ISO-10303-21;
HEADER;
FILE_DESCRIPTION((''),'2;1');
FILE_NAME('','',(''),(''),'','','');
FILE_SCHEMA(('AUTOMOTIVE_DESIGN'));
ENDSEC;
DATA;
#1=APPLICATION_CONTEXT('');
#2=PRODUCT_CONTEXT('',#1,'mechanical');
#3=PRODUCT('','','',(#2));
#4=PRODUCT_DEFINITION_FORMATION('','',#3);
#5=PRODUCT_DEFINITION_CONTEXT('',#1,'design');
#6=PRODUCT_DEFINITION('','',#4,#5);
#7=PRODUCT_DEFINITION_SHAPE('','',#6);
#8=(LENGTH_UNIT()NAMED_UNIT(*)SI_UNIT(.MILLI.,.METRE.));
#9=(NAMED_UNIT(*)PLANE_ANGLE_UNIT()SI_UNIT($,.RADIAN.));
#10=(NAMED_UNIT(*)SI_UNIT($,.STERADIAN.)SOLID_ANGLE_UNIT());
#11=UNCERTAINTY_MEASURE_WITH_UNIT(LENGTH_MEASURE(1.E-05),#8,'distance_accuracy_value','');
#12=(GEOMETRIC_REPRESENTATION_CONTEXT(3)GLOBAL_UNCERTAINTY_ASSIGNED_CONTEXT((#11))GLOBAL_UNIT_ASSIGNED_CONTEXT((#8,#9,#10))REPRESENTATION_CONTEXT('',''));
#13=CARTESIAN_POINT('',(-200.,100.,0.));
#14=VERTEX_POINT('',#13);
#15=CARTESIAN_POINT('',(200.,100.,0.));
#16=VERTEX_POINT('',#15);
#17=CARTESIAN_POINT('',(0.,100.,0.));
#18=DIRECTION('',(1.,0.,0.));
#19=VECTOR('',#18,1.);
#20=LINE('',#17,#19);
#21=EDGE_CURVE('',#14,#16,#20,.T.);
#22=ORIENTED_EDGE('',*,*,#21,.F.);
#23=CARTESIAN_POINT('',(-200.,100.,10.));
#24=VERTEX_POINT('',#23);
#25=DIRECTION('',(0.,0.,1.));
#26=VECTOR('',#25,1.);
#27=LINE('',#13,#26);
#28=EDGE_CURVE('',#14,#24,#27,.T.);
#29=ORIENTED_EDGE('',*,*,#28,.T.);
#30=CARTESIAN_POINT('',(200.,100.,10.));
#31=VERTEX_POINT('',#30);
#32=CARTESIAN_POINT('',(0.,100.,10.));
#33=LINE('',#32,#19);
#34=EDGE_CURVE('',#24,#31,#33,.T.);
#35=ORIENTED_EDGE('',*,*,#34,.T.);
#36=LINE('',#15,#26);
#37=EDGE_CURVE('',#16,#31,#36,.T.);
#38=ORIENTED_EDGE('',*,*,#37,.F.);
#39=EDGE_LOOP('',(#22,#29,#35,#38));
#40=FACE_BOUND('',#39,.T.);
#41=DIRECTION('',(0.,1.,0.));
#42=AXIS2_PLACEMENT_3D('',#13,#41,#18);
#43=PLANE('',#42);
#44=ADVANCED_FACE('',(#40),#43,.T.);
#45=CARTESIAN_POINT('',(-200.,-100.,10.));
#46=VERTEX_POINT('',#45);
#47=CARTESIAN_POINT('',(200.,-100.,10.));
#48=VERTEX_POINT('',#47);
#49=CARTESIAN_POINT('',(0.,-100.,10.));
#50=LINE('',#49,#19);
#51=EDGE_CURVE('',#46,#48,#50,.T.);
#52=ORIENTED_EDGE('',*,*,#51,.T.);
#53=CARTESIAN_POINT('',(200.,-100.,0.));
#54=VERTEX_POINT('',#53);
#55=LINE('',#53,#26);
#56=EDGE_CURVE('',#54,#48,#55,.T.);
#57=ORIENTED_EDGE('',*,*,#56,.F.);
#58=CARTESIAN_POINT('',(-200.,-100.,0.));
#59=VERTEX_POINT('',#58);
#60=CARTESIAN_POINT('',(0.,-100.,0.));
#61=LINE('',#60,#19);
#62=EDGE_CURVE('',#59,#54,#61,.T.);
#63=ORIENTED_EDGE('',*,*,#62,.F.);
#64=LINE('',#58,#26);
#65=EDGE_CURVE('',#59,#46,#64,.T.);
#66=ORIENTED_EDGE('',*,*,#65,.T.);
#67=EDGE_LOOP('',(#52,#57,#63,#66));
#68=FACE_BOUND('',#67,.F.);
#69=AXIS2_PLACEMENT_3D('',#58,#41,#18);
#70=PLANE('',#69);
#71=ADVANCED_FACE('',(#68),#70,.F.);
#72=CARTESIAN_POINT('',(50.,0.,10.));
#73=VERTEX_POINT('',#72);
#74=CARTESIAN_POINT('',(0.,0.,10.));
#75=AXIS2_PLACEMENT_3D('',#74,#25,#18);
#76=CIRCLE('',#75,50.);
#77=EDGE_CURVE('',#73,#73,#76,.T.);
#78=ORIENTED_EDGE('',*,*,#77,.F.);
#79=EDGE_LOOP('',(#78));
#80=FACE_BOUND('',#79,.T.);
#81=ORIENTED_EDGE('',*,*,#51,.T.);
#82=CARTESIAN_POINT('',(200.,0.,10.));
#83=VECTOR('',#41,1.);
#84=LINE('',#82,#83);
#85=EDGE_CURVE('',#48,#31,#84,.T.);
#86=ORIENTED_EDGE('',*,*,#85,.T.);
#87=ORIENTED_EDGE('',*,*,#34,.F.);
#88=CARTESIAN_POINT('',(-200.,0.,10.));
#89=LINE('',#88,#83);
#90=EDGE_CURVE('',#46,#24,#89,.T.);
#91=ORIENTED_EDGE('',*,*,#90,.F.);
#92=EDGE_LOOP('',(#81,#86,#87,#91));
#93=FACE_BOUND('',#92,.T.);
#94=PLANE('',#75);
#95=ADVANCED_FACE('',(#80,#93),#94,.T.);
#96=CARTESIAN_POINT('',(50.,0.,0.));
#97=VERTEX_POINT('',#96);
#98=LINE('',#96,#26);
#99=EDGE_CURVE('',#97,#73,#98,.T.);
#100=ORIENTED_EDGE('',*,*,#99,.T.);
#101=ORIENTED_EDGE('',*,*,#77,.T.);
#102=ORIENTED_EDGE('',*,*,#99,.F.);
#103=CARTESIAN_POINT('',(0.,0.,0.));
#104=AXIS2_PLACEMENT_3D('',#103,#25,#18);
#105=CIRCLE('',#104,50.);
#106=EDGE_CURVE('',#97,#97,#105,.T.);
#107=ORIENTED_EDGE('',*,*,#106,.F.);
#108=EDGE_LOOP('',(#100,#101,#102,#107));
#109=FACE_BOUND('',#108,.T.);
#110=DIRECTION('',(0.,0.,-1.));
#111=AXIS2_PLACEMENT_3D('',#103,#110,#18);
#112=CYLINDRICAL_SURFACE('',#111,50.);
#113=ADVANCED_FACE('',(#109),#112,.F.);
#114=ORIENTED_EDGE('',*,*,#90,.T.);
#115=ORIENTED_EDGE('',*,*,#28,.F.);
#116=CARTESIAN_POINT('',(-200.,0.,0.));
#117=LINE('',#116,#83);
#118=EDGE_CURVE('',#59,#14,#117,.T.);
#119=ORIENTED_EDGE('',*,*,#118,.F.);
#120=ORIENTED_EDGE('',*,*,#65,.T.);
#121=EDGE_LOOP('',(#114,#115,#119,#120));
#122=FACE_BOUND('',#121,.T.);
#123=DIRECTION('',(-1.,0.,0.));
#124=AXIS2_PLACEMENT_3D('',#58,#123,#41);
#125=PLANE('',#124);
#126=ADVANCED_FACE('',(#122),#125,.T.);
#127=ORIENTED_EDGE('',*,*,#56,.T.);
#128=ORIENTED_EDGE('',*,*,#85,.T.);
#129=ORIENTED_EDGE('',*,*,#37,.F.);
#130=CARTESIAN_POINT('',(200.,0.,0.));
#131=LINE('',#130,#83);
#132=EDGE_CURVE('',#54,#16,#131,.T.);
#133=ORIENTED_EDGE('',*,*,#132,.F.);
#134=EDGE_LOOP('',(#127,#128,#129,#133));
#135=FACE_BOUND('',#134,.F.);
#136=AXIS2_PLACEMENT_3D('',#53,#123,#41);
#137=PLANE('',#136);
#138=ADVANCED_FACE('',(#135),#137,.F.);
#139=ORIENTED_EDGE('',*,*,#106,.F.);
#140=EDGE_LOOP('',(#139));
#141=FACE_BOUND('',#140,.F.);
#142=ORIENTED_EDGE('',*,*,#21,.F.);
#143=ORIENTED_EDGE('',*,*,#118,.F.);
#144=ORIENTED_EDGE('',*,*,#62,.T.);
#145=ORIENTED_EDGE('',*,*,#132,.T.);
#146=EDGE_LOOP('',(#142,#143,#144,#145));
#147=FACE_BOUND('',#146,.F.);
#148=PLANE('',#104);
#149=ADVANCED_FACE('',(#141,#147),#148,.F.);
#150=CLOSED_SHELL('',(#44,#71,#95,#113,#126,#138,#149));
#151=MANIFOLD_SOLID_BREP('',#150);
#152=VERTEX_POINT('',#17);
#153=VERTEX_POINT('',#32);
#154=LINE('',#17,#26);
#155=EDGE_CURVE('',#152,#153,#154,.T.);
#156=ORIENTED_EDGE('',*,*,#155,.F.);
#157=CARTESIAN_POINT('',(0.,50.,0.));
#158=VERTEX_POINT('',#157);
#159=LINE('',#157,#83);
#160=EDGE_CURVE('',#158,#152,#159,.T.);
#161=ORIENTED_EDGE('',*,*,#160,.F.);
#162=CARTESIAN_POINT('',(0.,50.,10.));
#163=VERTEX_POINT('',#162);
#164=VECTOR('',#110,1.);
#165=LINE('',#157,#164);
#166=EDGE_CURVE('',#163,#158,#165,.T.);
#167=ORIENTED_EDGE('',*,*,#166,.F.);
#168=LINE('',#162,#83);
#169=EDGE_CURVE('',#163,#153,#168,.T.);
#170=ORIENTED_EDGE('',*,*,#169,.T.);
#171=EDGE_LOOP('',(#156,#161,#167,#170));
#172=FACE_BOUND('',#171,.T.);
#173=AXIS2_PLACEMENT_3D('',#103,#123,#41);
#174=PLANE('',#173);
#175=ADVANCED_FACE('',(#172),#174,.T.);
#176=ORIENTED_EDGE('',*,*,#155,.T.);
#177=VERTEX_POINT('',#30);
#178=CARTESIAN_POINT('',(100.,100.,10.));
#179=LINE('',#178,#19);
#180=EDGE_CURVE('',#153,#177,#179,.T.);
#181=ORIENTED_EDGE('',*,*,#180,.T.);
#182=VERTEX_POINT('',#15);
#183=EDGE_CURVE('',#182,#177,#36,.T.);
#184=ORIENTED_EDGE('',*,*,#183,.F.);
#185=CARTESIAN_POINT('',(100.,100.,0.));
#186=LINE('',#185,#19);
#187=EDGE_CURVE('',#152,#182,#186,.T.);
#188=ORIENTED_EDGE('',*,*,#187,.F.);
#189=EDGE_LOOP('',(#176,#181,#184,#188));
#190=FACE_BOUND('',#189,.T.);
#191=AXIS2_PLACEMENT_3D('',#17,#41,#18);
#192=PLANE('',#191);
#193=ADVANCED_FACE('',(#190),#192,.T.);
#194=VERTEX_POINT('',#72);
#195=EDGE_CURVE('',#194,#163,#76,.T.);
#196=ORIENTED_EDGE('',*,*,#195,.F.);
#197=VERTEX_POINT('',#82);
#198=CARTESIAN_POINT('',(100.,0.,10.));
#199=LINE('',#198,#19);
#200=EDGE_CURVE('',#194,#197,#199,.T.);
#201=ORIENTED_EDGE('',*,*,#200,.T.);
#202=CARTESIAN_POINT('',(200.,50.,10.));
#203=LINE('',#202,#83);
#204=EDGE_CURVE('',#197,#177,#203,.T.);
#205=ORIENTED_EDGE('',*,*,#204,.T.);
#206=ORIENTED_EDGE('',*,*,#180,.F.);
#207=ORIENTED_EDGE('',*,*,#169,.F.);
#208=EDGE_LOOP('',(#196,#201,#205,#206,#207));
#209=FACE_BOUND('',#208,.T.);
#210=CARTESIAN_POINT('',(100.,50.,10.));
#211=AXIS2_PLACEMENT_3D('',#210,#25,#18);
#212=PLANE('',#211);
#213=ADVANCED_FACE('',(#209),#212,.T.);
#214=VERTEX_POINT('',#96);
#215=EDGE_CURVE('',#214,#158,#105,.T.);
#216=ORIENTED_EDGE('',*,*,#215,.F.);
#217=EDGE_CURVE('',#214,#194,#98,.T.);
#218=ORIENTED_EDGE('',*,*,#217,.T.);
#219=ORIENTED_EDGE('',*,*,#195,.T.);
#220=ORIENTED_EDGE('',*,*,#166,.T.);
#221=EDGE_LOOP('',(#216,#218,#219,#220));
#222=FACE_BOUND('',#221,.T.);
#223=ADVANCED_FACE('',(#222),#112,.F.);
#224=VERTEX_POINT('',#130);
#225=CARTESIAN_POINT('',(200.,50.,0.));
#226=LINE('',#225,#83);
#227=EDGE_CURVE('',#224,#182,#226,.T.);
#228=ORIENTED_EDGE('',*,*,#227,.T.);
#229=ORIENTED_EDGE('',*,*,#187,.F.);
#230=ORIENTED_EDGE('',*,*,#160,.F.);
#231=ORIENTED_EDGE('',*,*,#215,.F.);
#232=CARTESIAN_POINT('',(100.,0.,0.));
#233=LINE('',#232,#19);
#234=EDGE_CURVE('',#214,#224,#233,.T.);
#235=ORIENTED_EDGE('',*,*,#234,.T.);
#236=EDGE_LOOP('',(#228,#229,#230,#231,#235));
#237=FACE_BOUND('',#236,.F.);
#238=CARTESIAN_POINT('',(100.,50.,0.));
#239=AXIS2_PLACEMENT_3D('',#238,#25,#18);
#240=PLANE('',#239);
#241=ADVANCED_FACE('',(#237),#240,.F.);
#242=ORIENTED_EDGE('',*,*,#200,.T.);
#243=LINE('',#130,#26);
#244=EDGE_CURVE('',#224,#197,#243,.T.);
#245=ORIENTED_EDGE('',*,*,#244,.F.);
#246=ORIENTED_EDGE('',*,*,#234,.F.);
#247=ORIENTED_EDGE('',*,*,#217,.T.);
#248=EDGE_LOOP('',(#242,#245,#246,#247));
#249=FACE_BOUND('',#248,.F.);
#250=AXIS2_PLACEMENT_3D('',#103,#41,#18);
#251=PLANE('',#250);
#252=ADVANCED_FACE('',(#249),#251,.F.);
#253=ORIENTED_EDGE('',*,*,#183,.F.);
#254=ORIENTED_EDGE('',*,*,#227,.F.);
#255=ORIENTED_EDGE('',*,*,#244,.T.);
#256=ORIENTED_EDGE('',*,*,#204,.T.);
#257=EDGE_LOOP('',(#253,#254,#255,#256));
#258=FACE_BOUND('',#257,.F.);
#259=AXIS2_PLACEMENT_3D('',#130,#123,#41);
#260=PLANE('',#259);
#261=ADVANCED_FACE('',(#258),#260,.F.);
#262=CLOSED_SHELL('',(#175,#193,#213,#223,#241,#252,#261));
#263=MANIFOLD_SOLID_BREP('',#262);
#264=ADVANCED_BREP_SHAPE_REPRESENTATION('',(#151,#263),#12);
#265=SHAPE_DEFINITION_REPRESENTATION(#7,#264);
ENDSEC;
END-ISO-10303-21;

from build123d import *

# Parameters (mm, degrees)
CYLINDER_R        = 50
CYLINDER_DEPTH    = 10
BOX_W             = 200
BOX_H             = 100
BOX_DEPTH         = 10
CYLINDER001_R     = 50
CYLINDER001_DEPTH = 10
BOX001_W          = 400
BOX001_H          = 200
BOX001_DEPTH      = 10


with BuildPart() as cylinder:
    # Cylinder → Cylinder (new body)
    with BuildSketch(Plane.XY):
        Circle(CYLINDER_R)
    extrude(amount=CYLINDER_DEPTH)


with BuildPart() as cut:
    # Box → Box (new body)
    with BuildSketch(Plane.XY):
        with Locations((100, 50)):
            Rectangle(BOX_W, BOX_H)
    extrude(amount=BOX_DEPTH)

    # Cut: cut Cylinder
    add(cylinder.part, mode=Mode.SUBTRACT)


with BuildPart() as cylinder001:
    # Cylinder001 → Cylinder001 (new body)
    with BuildSketch(Plane.XY):
        Circle(CYLINDER001_R)
    extrude(amount=CYLINDER001_DEPTH)


with BuildPart() as cut001:
    # Box001 → Box001 (new body)
    with BuildSketch(Plane(origin=(-200, -100, 0), x_dir=(1, 0, 0), z_dir=(0, 0, 1))):
        with Locations((200, 100)):
            Rectangle(BOX001_W, BOX001_H)
    extrude(amount=BOX001_DEPTH)

    # Cut001: cut Cylinder001
    add(cylinder001.part, mode=Mode.SUBTRACT)


solid = Compound([cut.part, cut001.part])
